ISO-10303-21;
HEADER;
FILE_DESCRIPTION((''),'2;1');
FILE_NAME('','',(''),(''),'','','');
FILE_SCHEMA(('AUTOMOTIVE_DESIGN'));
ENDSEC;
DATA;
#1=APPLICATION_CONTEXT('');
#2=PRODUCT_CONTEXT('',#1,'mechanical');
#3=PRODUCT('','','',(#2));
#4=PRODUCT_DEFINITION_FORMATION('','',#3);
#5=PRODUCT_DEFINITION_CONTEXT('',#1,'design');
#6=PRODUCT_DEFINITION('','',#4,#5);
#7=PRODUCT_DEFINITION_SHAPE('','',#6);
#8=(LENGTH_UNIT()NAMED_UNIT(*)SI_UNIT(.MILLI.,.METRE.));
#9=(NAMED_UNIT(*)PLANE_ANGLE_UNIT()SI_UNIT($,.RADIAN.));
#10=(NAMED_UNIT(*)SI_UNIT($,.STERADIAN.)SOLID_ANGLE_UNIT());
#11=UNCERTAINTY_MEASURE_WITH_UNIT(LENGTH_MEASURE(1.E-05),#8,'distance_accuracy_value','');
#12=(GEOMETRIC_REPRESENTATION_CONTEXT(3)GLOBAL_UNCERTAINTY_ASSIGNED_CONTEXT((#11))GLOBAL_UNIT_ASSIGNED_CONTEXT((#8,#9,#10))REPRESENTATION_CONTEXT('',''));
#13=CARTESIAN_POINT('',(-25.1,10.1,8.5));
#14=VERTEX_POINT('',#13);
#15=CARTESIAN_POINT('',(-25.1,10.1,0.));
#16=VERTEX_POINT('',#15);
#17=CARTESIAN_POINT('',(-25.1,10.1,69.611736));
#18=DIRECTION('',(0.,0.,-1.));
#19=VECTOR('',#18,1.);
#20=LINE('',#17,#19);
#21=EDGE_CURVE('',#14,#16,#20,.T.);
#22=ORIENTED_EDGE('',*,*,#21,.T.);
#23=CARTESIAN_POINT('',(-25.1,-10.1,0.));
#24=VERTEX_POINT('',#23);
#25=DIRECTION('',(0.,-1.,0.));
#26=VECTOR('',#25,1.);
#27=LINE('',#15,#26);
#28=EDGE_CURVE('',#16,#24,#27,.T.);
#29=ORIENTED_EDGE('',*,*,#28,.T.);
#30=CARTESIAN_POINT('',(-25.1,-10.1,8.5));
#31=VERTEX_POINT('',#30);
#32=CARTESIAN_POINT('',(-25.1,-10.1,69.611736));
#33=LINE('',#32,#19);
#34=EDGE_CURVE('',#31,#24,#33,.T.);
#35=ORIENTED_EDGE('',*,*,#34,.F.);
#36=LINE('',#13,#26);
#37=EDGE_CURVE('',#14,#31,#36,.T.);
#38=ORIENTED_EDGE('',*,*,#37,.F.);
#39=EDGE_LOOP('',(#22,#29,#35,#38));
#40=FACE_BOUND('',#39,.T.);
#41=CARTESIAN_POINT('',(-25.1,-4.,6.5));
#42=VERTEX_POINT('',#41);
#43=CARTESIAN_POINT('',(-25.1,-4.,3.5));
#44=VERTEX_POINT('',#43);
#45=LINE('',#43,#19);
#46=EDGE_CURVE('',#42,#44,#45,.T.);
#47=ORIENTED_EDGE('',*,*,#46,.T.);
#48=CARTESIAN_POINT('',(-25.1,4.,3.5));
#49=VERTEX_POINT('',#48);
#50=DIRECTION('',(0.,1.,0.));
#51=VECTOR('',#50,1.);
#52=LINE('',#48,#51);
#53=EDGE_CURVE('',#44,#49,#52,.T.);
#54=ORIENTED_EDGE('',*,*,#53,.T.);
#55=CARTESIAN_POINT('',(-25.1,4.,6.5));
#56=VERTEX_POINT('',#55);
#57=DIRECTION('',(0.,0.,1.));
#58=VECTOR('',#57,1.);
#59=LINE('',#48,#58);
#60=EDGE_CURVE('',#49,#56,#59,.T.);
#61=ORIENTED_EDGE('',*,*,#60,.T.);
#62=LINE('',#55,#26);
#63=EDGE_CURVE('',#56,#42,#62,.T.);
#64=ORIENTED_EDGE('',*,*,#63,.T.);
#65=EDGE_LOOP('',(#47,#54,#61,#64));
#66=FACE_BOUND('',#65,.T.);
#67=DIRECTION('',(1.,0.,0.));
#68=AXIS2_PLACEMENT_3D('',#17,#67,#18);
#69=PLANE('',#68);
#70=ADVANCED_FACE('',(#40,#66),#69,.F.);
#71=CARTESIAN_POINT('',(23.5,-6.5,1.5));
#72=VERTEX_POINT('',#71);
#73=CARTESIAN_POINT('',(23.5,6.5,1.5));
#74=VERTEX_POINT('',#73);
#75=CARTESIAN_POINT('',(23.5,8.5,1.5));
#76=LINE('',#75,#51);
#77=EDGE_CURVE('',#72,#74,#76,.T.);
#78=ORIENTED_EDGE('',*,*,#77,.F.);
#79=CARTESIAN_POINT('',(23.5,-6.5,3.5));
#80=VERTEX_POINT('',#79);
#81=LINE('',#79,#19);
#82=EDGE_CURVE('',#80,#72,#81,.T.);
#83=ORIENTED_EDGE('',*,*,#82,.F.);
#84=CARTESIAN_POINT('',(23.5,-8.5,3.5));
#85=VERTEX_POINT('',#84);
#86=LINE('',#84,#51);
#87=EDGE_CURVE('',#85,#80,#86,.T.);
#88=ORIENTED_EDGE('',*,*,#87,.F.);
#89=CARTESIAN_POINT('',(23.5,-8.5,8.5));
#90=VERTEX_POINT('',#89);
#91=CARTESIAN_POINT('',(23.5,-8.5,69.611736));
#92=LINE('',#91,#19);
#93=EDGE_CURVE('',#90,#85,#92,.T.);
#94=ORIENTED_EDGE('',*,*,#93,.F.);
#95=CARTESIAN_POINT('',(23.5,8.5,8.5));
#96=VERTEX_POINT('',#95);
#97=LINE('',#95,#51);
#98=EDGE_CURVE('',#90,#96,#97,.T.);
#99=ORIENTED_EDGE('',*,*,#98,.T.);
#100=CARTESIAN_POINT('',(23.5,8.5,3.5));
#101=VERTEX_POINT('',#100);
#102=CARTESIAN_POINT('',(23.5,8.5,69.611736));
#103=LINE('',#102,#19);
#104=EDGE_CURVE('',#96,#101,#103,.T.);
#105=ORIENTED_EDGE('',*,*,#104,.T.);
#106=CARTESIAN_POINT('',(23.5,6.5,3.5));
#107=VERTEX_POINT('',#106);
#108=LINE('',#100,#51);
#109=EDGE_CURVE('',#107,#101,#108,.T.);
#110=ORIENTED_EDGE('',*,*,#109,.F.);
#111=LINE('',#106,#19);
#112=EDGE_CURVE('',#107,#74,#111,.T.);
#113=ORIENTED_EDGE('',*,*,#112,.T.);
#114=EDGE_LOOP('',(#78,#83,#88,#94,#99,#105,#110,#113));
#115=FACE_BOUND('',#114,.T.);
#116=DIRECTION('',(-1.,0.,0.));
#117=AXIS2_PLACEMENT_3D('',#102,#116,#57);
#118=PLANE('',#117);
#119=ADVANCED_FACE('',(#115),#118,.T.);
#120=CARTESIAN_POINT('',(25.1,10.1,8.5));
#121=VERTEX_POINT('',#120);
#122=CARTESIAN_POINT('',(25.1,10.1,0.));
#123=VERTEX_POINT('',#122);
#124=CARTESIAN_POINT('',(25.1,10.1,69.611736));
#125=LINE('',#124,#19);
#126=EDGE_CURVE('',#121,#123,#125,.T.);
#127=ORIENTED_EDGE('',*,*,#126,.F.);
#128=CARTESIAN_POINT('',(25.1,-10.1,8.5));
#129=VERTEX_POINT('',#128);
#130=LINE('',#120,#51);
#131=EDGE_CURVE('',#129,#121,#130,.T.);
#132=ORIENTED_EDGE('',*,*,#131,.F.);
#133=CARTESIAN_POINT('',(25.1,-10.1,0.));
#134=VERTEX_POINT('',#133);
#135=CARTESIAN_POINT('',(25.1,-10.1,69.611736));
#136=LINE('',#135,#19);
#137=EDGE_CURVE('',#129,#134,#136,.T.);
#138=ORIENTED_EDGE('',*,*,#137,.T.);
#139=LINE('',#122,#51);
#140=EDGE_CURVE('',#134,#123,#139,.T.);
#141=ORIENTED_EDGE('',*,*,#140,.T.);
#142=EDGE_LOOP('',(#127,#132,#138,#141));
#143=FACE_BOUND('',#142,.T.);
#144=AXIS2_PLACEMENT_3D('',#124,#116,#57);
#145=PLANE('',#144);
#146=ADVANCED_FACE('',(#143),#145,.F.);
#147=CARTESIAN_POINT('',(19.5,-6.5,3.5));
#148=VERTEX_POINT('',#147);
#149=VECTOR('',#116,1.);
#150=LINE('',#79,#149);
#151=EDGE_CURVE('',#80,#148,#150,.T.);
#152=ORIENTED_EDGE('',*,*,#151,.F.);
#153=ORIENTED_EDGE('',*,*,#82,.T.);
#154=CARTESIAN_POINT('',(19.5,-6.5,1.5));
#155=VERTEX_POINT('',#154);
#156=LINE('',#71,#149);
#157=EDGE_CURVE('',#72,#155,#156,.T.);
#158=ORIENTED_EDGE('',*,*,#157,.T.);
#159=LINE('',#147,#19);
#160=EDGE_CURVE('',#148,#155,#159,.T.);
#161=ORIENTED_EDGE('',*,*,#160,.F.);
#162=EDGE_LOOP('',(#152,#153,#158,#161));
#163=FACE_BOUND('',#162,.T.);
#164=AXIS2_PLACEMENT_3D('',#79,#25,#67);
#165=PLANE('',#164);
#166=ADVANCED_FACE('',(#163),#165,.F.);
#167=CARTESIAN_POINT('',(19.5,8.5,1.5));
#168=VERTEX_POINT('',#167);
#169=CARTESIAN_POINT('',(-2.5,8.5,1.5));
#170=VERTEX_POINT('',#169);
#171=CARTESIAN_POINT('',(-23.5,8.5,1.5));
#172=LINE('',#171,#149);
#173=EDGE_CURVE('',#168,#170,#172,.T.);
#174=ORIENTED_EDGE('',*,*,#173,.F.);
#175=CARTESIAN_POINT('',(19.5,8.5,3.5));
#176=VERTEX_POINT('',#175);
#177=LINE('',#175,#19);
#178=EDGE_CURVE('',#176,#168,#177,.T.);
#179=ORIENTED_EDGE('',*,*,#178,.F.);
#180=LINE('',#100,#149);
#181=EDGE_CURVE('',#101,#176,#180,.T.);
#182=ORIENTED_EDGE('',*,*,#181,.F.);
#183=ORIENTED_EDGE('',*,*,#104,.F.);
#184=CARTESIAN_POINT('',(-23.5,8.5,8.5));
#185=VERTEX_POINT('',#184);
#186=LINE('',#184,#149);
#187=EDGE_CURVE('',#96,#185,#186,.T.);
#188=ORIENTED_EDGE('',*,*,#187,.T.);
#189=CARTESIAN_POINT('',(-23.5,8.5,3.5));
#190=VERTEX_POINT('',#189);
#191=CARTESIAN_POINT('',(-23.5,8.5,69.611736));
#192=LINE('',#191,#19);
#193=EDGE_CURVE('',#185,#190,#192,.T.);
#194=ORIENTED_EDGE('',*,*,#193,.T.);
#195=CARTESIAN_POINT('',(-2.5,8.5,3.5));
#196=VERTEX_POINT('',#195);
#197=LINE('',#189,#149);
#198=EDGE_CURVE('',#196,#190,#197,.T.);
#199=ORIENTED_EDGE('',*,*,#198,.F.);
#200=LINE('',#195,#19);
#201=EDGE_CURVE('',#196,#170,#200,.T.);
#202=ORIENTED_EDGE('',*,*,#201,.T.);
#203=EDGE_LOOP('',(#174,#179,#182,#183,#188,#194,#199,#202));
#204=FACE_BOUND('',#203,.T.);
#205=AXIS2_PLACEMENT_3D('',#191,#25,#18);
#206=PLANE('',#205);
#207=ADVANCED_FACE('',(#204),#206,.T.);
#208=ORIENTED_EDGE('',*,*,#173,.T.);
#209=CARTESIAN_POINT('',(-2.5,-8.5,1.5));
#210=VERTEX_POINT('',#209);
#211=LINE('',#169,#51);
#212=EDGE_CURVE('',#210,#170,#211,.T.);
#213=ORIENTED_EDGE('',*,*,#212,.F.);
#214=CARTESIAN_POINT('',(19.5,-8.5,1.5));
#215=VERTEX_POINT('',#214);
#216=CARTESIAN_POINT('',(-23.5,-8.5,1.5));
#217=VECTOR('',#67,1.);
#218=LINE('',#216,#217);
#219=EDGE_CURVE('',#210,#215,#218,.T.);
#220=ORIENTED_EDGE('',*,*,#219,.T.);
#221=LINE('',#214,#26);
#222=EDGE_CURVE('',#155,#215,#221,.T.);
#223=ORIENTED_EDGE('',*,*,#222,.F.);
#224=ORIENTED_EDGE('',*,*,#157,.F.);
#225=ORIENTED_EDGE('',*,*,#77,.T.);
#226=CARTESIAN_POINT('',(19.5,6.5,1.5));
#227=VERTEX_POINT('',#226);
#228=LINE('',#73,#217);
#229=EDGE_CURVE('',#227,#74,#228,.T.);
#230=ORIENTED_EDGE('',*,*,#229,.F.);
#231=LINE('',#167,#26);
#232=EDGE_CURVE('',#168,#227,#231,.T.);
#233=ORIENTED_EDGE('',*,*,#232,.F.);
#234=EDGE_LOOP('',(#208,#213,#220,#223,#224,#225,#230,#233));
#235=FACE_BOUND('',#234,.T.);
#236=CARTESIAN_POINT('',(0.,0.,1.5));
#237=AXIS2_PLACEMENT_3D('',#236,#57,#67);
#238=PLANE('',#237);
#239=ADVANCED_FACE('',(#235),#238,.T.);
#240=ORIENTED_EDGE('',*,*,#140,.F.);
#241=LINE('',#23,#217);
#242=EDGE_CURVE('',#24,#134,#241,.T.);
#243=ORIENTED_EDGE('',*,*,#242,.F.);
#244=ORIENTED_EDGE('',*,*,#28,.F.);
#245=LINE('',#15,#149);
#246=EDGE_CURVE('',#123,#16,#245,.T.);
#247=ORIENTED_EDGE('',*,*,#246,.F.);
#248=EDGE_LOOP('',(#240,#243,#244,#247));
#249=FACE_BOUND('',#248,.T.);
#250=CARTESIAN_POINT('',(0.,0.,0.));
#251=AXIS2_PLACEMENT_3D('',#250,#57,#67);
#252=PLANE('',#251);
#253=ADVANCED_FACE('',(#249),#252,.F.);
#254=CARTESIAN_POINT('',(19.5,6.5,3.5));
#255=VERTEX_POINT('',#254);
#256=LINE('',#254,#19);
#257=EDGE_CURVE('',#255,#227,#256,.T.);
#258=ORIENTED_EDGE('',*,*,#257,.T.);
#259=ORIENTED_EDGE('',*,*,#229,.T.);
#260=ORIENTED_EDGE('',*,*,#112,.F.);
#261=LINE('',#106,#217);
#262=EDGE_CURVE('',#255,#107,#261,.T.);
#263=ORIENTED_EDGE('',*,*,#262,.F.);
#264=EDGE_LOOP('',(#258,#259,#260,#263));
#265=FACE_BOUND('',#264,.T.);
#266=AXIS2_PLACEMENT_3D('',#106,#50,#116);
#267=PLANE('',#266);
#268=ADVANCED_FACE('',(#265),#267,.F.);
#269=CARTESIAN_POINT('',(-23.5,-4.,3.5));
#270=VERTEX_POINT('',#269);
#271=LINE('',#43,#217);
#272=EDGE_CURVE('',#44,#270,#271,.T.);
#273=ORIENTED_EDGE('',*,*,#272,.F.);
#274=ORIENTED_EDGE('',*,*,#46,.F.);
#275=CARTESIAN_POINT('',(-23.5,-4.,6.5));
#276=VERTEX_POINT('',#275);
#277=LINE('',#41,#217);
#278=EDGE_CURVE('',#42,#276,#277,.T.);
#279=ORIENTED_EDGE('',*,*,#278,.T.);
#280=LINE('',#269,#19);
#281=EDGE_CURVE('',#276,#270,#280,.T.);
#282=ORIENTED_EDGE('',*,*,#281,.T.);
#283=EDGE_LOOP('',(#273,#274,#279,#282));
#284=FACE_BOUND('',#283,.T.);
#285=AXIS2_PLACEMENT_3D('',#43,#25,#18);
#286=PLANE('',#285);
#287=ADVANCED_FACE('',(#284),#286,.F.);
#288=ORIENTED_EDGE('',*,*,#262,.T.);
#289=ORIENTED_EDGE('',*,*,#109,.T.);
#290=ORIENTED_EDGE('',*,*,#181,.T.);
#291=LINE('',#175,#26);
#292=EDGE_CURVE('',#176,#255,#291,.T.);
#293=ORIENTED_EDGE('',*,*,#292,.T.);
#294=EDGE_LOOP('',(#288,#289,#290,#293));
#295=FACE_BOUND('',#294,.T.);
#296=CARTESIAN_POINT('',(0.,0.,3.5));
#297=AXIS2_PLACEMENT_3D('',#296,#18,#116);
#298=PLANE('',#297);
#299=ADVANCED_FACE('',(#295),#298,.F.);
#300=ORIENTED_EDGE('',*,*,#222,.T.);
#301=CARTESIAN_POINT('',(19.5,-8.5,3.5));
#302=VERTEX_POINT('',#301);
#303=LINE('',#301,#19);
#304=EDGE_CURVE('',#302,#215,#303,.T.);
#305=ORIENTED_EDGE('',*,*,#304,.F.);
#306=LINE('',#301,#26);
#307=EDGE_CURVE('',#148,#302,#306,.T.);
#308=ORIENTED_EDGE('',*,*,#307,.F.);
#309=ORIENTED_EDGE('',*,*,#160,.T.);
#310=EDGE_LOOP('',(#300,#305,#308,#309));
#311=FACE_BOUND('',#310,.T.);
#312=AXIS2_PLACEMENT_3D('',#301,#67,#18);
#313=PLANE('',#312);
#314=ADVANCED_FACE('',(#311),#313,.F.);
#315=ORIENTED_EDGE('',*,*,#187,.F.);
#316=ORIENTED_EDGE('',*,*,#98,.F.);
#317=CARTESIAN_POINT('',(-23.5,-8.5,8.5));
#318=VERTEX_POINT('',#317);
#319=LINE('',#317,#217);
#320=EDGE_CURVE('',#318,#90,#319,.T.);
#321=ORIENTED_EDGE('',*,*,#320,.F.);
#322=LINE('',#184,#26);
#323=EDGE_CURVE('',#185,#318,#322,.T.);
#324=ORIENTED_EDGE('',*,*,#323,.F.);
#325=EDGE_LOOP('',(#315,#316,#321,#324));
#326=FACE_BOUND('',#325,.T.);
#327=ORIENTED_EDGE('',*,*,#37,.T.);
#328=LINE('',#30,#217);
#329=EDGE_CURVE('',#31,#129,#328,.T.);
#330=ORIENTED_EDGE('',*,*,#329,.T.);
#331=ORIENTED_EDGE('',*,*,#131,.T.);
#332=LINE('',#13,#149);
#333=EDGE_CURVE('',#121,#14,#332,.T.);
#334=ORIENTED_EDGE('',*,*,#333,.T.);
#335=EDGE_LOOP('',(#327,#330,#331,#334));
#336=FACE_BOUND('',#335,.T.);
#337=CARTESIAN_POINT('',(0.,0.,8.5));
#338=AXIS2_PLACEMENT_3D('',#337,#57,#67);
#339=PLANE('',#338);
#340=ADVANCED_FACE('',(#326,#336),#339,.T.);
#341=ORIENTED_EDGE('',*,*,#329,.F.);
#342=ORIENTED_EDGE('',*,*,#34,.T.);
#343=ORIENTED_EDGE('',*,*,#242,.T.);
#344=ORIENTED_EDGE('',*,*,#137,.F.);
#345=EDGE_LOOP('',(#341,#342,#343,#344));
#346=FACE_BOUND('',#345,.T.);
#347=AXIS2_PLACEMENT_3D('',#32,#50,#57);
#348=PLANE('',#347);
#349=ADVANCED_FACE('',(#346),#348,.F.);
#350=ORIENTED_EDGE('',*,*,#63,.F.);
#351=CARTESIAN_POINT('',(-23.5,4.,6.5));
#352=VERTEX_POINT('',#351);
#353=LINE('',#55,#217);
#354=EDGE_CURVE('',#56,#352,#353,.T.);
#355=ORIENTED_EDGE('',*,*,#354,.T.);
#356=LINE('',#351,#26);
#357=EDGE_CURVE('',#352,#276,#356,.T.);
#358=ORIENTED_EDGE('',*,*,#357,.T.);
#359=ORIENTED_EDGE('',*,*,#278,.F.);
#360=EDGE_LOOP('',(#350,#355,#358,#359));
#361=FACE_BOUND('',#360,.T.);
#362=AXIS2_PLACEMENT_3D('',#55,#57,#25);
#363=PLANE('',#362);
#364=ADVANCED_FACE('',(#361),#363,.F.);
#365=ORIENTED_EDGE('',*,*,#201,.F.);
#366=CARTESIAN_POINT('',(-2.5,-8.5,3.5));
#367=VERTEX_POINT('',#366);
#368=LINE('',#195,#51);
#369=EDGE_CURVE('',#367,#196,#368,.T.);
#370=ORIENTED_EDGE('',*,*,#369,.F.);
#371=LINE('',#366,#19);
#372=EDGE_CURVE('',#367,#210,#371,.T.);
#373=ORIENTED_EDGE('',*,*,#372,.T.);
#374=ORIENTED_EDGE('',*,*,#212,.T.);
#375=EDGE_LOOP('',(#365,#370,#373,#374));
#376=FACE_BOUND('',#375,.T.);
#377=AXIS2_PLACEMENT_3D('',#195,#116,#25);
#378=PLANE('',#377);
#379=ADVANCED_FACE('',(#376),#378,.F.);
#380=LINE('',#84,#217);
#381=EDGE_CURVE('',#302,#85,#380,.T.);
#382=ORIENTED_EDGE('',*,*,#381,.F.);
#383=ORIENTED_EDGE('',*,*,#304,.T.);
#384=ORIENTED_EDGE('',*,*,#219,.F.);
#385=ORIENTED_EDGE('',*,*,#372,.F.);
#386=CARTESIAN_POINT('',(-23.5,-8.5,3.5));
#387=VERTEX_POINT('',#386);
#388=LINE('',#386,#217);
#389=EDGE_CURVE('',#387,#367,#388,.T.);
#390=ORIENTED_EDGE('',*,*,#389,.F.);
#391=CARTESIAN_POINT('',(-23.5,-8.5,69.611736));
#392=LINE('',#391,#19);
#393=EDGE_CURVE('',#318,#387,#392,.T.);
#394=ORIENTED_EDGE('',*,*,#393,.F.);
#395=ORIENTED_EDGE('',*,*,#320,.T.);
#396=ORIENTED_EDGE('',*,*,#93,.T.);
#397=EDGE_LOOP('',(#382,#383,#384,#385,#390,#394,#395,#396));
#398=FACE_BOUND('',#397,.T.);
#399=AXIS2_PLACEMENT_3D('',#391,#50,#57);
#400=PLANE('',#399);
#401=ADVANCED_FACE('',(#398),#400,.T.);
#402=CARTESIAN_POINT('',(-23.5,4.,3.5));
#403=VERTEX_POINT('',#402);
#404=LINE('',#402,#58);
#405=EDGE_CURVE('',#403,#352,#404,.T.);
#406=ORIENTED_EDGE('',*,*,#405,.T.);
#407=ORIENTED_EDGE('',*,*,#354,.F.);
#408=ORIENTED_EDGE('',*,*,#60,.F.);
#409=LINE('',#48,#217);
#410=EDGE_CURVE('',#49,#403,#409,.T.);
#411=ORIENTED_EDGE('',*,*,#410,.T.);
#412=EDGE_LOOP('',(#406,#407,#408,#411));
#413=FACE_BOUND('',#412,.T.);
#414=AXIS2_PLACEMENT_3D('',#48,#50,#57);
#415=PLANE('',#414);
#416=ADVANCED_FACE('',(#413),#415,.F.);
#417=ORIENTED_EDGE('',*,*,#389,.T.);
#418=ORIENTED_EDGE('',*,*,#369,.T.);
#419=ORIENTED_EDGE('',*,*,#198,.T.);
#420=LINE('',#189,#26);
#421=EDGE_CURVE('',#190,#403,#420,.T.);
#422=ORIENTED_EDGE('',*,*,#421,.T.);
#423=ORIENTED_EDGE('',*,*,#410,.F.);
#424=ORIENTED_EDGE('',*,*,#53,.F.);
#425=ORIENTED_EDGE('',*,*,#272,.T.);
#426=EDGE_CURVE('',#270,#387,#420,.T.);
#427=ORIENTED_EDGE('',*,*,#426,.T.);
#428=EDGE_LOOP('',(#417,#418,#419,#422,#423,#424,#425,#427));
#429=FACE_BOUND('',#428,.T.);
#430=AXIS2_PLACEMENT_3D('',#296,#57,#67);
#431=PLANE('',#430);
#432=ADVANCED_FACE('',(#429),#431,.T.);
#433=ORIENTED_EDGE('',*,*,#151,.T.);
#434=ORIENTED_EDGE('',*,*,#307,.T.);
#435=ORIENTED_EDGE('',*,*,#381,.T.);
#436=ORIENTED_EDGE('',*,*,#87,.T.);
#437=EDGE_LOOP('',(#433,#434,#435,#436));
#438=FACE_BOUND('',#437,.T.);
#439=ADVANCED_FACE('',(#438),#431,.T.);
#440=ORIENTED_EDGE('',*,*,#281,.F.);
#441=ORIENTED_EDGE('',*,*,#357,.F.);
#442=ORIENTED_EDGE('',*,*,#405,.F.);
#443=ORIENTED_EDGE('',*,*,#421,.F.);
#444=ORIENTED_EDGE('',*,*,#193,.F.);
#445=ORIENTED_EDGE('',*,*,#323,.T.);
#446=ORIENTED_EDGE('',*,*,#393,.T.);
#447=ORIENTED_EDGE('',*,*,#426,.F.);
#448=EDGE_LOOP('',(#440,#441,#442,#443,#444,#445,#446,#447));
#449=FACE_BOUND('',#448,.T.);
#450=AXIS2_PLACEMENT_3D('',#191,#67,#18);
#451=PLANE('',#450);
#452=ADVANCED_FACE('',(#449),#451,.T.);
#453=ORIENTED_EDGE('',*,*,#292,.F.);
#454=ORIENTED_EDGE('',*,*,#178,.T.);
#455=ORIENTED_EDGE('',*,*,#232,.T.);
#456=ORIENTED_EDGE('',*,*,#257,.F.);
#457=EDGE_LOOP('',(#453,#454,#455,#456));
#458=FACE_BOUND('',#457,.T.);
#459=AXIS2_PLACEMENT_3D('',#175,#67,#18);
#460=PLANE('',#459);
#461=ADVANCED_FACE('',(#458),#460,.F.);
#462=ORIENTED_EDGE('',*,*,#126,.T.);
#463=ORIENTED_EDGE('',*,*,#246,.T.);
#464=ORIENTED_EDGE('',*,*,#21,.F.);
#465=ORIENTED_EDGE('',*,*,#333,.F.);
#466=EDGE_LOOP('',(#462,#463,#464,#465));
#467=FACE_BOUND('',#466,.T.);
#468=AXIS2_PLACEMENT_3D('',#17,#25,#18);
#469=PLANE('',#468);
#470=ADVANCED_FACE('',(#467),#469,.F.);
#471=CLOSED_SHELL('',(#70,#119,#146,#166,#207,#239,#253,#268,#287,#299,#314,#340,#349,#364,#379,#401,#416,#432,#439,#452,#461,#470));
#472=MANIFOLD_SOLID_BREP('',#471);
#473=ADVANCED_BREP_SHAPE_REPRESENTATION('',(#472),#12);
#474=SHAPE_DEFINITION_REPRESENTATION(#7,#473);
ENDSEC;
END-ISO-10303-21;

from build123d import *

# Parameters (mm, degrees)
SKETCH1_W           = 47
SKETCH1_H           = 17
BOSS_EXTRUDE1_DEPTH = 1.5
SKETCH3_W           = 21
SKETCH3_H           = 17
SKETCH3_W_2         = 4
SKETCH3_H_2         = 2
BOSS_EXTRUDE3_DEPTH = 2
SKETCH2_W           = 50.2
SKETCH2_H           = 20.2
SKETCH2_W_2         = 47
SKETCH2_H_2         = 17
BOSS_EXTRUDE2_DEPTH = 8.5
SKETCH4_W           = 3
SKETCH4_H           = 8
CUT_EXTRUDE1_DEPTH  = 2.6


with BuildPart() as part:
    # Sketch1 → Boss-Extrude1 (new body)
    with BuildSketch(Plane.XY):
        Rectangle(SKETCH1_W, SKETCH1_H)
    extrude(amount=BOSS_EXTRUDE1_DEPTH)

    # Sketch3 → Boss-Extrude3 (add)
    with BuildSketch(Plane.XY.offset(1.5)):
        with Locations((-13, 0)):
            Rectangle(SKETCH3_W, SKETCH3_H)
        with Locations((21.5, 7.5)):
            Rectangle(SKETCH3_W_2, SKETCH3_H_2)
        with Locations((21.5, -7.5)):
            Rectangle(SKETCH3_W_2, SKETCH3_H_2)
    extrude(amount=BOSS_EXTRUDE3_DEPTH)

    # Sketch2 → Boss-Extrude2 (add)
    with BuildSketch(Plane.XY):
        Rectangle(SKETCH2_W, SKETCH2_H)
        Rectangle(SKETCH2_W_2, SKETCH2_H_2, mode=Mode.SUBTRACT)
    extrude(amount=BOSS_EXTRUDE2_DEPTH)

    # Sketch4 → Cut-Extrude1 (cut, through all)
    with BuildSketch(Plane(origin=(-23.5, 0, 0), x_dir=(0, 0, -1), z_dir=(1, 0, 0))):
        with Locations((-5, 0)):
            Rectangle(SKETCH4_W, SKETCH4_H)
    extrude(amount=-CUT_EXTRUDE1_DEPTH, mode=Mode.SUBTRACT)


solid = part.part
